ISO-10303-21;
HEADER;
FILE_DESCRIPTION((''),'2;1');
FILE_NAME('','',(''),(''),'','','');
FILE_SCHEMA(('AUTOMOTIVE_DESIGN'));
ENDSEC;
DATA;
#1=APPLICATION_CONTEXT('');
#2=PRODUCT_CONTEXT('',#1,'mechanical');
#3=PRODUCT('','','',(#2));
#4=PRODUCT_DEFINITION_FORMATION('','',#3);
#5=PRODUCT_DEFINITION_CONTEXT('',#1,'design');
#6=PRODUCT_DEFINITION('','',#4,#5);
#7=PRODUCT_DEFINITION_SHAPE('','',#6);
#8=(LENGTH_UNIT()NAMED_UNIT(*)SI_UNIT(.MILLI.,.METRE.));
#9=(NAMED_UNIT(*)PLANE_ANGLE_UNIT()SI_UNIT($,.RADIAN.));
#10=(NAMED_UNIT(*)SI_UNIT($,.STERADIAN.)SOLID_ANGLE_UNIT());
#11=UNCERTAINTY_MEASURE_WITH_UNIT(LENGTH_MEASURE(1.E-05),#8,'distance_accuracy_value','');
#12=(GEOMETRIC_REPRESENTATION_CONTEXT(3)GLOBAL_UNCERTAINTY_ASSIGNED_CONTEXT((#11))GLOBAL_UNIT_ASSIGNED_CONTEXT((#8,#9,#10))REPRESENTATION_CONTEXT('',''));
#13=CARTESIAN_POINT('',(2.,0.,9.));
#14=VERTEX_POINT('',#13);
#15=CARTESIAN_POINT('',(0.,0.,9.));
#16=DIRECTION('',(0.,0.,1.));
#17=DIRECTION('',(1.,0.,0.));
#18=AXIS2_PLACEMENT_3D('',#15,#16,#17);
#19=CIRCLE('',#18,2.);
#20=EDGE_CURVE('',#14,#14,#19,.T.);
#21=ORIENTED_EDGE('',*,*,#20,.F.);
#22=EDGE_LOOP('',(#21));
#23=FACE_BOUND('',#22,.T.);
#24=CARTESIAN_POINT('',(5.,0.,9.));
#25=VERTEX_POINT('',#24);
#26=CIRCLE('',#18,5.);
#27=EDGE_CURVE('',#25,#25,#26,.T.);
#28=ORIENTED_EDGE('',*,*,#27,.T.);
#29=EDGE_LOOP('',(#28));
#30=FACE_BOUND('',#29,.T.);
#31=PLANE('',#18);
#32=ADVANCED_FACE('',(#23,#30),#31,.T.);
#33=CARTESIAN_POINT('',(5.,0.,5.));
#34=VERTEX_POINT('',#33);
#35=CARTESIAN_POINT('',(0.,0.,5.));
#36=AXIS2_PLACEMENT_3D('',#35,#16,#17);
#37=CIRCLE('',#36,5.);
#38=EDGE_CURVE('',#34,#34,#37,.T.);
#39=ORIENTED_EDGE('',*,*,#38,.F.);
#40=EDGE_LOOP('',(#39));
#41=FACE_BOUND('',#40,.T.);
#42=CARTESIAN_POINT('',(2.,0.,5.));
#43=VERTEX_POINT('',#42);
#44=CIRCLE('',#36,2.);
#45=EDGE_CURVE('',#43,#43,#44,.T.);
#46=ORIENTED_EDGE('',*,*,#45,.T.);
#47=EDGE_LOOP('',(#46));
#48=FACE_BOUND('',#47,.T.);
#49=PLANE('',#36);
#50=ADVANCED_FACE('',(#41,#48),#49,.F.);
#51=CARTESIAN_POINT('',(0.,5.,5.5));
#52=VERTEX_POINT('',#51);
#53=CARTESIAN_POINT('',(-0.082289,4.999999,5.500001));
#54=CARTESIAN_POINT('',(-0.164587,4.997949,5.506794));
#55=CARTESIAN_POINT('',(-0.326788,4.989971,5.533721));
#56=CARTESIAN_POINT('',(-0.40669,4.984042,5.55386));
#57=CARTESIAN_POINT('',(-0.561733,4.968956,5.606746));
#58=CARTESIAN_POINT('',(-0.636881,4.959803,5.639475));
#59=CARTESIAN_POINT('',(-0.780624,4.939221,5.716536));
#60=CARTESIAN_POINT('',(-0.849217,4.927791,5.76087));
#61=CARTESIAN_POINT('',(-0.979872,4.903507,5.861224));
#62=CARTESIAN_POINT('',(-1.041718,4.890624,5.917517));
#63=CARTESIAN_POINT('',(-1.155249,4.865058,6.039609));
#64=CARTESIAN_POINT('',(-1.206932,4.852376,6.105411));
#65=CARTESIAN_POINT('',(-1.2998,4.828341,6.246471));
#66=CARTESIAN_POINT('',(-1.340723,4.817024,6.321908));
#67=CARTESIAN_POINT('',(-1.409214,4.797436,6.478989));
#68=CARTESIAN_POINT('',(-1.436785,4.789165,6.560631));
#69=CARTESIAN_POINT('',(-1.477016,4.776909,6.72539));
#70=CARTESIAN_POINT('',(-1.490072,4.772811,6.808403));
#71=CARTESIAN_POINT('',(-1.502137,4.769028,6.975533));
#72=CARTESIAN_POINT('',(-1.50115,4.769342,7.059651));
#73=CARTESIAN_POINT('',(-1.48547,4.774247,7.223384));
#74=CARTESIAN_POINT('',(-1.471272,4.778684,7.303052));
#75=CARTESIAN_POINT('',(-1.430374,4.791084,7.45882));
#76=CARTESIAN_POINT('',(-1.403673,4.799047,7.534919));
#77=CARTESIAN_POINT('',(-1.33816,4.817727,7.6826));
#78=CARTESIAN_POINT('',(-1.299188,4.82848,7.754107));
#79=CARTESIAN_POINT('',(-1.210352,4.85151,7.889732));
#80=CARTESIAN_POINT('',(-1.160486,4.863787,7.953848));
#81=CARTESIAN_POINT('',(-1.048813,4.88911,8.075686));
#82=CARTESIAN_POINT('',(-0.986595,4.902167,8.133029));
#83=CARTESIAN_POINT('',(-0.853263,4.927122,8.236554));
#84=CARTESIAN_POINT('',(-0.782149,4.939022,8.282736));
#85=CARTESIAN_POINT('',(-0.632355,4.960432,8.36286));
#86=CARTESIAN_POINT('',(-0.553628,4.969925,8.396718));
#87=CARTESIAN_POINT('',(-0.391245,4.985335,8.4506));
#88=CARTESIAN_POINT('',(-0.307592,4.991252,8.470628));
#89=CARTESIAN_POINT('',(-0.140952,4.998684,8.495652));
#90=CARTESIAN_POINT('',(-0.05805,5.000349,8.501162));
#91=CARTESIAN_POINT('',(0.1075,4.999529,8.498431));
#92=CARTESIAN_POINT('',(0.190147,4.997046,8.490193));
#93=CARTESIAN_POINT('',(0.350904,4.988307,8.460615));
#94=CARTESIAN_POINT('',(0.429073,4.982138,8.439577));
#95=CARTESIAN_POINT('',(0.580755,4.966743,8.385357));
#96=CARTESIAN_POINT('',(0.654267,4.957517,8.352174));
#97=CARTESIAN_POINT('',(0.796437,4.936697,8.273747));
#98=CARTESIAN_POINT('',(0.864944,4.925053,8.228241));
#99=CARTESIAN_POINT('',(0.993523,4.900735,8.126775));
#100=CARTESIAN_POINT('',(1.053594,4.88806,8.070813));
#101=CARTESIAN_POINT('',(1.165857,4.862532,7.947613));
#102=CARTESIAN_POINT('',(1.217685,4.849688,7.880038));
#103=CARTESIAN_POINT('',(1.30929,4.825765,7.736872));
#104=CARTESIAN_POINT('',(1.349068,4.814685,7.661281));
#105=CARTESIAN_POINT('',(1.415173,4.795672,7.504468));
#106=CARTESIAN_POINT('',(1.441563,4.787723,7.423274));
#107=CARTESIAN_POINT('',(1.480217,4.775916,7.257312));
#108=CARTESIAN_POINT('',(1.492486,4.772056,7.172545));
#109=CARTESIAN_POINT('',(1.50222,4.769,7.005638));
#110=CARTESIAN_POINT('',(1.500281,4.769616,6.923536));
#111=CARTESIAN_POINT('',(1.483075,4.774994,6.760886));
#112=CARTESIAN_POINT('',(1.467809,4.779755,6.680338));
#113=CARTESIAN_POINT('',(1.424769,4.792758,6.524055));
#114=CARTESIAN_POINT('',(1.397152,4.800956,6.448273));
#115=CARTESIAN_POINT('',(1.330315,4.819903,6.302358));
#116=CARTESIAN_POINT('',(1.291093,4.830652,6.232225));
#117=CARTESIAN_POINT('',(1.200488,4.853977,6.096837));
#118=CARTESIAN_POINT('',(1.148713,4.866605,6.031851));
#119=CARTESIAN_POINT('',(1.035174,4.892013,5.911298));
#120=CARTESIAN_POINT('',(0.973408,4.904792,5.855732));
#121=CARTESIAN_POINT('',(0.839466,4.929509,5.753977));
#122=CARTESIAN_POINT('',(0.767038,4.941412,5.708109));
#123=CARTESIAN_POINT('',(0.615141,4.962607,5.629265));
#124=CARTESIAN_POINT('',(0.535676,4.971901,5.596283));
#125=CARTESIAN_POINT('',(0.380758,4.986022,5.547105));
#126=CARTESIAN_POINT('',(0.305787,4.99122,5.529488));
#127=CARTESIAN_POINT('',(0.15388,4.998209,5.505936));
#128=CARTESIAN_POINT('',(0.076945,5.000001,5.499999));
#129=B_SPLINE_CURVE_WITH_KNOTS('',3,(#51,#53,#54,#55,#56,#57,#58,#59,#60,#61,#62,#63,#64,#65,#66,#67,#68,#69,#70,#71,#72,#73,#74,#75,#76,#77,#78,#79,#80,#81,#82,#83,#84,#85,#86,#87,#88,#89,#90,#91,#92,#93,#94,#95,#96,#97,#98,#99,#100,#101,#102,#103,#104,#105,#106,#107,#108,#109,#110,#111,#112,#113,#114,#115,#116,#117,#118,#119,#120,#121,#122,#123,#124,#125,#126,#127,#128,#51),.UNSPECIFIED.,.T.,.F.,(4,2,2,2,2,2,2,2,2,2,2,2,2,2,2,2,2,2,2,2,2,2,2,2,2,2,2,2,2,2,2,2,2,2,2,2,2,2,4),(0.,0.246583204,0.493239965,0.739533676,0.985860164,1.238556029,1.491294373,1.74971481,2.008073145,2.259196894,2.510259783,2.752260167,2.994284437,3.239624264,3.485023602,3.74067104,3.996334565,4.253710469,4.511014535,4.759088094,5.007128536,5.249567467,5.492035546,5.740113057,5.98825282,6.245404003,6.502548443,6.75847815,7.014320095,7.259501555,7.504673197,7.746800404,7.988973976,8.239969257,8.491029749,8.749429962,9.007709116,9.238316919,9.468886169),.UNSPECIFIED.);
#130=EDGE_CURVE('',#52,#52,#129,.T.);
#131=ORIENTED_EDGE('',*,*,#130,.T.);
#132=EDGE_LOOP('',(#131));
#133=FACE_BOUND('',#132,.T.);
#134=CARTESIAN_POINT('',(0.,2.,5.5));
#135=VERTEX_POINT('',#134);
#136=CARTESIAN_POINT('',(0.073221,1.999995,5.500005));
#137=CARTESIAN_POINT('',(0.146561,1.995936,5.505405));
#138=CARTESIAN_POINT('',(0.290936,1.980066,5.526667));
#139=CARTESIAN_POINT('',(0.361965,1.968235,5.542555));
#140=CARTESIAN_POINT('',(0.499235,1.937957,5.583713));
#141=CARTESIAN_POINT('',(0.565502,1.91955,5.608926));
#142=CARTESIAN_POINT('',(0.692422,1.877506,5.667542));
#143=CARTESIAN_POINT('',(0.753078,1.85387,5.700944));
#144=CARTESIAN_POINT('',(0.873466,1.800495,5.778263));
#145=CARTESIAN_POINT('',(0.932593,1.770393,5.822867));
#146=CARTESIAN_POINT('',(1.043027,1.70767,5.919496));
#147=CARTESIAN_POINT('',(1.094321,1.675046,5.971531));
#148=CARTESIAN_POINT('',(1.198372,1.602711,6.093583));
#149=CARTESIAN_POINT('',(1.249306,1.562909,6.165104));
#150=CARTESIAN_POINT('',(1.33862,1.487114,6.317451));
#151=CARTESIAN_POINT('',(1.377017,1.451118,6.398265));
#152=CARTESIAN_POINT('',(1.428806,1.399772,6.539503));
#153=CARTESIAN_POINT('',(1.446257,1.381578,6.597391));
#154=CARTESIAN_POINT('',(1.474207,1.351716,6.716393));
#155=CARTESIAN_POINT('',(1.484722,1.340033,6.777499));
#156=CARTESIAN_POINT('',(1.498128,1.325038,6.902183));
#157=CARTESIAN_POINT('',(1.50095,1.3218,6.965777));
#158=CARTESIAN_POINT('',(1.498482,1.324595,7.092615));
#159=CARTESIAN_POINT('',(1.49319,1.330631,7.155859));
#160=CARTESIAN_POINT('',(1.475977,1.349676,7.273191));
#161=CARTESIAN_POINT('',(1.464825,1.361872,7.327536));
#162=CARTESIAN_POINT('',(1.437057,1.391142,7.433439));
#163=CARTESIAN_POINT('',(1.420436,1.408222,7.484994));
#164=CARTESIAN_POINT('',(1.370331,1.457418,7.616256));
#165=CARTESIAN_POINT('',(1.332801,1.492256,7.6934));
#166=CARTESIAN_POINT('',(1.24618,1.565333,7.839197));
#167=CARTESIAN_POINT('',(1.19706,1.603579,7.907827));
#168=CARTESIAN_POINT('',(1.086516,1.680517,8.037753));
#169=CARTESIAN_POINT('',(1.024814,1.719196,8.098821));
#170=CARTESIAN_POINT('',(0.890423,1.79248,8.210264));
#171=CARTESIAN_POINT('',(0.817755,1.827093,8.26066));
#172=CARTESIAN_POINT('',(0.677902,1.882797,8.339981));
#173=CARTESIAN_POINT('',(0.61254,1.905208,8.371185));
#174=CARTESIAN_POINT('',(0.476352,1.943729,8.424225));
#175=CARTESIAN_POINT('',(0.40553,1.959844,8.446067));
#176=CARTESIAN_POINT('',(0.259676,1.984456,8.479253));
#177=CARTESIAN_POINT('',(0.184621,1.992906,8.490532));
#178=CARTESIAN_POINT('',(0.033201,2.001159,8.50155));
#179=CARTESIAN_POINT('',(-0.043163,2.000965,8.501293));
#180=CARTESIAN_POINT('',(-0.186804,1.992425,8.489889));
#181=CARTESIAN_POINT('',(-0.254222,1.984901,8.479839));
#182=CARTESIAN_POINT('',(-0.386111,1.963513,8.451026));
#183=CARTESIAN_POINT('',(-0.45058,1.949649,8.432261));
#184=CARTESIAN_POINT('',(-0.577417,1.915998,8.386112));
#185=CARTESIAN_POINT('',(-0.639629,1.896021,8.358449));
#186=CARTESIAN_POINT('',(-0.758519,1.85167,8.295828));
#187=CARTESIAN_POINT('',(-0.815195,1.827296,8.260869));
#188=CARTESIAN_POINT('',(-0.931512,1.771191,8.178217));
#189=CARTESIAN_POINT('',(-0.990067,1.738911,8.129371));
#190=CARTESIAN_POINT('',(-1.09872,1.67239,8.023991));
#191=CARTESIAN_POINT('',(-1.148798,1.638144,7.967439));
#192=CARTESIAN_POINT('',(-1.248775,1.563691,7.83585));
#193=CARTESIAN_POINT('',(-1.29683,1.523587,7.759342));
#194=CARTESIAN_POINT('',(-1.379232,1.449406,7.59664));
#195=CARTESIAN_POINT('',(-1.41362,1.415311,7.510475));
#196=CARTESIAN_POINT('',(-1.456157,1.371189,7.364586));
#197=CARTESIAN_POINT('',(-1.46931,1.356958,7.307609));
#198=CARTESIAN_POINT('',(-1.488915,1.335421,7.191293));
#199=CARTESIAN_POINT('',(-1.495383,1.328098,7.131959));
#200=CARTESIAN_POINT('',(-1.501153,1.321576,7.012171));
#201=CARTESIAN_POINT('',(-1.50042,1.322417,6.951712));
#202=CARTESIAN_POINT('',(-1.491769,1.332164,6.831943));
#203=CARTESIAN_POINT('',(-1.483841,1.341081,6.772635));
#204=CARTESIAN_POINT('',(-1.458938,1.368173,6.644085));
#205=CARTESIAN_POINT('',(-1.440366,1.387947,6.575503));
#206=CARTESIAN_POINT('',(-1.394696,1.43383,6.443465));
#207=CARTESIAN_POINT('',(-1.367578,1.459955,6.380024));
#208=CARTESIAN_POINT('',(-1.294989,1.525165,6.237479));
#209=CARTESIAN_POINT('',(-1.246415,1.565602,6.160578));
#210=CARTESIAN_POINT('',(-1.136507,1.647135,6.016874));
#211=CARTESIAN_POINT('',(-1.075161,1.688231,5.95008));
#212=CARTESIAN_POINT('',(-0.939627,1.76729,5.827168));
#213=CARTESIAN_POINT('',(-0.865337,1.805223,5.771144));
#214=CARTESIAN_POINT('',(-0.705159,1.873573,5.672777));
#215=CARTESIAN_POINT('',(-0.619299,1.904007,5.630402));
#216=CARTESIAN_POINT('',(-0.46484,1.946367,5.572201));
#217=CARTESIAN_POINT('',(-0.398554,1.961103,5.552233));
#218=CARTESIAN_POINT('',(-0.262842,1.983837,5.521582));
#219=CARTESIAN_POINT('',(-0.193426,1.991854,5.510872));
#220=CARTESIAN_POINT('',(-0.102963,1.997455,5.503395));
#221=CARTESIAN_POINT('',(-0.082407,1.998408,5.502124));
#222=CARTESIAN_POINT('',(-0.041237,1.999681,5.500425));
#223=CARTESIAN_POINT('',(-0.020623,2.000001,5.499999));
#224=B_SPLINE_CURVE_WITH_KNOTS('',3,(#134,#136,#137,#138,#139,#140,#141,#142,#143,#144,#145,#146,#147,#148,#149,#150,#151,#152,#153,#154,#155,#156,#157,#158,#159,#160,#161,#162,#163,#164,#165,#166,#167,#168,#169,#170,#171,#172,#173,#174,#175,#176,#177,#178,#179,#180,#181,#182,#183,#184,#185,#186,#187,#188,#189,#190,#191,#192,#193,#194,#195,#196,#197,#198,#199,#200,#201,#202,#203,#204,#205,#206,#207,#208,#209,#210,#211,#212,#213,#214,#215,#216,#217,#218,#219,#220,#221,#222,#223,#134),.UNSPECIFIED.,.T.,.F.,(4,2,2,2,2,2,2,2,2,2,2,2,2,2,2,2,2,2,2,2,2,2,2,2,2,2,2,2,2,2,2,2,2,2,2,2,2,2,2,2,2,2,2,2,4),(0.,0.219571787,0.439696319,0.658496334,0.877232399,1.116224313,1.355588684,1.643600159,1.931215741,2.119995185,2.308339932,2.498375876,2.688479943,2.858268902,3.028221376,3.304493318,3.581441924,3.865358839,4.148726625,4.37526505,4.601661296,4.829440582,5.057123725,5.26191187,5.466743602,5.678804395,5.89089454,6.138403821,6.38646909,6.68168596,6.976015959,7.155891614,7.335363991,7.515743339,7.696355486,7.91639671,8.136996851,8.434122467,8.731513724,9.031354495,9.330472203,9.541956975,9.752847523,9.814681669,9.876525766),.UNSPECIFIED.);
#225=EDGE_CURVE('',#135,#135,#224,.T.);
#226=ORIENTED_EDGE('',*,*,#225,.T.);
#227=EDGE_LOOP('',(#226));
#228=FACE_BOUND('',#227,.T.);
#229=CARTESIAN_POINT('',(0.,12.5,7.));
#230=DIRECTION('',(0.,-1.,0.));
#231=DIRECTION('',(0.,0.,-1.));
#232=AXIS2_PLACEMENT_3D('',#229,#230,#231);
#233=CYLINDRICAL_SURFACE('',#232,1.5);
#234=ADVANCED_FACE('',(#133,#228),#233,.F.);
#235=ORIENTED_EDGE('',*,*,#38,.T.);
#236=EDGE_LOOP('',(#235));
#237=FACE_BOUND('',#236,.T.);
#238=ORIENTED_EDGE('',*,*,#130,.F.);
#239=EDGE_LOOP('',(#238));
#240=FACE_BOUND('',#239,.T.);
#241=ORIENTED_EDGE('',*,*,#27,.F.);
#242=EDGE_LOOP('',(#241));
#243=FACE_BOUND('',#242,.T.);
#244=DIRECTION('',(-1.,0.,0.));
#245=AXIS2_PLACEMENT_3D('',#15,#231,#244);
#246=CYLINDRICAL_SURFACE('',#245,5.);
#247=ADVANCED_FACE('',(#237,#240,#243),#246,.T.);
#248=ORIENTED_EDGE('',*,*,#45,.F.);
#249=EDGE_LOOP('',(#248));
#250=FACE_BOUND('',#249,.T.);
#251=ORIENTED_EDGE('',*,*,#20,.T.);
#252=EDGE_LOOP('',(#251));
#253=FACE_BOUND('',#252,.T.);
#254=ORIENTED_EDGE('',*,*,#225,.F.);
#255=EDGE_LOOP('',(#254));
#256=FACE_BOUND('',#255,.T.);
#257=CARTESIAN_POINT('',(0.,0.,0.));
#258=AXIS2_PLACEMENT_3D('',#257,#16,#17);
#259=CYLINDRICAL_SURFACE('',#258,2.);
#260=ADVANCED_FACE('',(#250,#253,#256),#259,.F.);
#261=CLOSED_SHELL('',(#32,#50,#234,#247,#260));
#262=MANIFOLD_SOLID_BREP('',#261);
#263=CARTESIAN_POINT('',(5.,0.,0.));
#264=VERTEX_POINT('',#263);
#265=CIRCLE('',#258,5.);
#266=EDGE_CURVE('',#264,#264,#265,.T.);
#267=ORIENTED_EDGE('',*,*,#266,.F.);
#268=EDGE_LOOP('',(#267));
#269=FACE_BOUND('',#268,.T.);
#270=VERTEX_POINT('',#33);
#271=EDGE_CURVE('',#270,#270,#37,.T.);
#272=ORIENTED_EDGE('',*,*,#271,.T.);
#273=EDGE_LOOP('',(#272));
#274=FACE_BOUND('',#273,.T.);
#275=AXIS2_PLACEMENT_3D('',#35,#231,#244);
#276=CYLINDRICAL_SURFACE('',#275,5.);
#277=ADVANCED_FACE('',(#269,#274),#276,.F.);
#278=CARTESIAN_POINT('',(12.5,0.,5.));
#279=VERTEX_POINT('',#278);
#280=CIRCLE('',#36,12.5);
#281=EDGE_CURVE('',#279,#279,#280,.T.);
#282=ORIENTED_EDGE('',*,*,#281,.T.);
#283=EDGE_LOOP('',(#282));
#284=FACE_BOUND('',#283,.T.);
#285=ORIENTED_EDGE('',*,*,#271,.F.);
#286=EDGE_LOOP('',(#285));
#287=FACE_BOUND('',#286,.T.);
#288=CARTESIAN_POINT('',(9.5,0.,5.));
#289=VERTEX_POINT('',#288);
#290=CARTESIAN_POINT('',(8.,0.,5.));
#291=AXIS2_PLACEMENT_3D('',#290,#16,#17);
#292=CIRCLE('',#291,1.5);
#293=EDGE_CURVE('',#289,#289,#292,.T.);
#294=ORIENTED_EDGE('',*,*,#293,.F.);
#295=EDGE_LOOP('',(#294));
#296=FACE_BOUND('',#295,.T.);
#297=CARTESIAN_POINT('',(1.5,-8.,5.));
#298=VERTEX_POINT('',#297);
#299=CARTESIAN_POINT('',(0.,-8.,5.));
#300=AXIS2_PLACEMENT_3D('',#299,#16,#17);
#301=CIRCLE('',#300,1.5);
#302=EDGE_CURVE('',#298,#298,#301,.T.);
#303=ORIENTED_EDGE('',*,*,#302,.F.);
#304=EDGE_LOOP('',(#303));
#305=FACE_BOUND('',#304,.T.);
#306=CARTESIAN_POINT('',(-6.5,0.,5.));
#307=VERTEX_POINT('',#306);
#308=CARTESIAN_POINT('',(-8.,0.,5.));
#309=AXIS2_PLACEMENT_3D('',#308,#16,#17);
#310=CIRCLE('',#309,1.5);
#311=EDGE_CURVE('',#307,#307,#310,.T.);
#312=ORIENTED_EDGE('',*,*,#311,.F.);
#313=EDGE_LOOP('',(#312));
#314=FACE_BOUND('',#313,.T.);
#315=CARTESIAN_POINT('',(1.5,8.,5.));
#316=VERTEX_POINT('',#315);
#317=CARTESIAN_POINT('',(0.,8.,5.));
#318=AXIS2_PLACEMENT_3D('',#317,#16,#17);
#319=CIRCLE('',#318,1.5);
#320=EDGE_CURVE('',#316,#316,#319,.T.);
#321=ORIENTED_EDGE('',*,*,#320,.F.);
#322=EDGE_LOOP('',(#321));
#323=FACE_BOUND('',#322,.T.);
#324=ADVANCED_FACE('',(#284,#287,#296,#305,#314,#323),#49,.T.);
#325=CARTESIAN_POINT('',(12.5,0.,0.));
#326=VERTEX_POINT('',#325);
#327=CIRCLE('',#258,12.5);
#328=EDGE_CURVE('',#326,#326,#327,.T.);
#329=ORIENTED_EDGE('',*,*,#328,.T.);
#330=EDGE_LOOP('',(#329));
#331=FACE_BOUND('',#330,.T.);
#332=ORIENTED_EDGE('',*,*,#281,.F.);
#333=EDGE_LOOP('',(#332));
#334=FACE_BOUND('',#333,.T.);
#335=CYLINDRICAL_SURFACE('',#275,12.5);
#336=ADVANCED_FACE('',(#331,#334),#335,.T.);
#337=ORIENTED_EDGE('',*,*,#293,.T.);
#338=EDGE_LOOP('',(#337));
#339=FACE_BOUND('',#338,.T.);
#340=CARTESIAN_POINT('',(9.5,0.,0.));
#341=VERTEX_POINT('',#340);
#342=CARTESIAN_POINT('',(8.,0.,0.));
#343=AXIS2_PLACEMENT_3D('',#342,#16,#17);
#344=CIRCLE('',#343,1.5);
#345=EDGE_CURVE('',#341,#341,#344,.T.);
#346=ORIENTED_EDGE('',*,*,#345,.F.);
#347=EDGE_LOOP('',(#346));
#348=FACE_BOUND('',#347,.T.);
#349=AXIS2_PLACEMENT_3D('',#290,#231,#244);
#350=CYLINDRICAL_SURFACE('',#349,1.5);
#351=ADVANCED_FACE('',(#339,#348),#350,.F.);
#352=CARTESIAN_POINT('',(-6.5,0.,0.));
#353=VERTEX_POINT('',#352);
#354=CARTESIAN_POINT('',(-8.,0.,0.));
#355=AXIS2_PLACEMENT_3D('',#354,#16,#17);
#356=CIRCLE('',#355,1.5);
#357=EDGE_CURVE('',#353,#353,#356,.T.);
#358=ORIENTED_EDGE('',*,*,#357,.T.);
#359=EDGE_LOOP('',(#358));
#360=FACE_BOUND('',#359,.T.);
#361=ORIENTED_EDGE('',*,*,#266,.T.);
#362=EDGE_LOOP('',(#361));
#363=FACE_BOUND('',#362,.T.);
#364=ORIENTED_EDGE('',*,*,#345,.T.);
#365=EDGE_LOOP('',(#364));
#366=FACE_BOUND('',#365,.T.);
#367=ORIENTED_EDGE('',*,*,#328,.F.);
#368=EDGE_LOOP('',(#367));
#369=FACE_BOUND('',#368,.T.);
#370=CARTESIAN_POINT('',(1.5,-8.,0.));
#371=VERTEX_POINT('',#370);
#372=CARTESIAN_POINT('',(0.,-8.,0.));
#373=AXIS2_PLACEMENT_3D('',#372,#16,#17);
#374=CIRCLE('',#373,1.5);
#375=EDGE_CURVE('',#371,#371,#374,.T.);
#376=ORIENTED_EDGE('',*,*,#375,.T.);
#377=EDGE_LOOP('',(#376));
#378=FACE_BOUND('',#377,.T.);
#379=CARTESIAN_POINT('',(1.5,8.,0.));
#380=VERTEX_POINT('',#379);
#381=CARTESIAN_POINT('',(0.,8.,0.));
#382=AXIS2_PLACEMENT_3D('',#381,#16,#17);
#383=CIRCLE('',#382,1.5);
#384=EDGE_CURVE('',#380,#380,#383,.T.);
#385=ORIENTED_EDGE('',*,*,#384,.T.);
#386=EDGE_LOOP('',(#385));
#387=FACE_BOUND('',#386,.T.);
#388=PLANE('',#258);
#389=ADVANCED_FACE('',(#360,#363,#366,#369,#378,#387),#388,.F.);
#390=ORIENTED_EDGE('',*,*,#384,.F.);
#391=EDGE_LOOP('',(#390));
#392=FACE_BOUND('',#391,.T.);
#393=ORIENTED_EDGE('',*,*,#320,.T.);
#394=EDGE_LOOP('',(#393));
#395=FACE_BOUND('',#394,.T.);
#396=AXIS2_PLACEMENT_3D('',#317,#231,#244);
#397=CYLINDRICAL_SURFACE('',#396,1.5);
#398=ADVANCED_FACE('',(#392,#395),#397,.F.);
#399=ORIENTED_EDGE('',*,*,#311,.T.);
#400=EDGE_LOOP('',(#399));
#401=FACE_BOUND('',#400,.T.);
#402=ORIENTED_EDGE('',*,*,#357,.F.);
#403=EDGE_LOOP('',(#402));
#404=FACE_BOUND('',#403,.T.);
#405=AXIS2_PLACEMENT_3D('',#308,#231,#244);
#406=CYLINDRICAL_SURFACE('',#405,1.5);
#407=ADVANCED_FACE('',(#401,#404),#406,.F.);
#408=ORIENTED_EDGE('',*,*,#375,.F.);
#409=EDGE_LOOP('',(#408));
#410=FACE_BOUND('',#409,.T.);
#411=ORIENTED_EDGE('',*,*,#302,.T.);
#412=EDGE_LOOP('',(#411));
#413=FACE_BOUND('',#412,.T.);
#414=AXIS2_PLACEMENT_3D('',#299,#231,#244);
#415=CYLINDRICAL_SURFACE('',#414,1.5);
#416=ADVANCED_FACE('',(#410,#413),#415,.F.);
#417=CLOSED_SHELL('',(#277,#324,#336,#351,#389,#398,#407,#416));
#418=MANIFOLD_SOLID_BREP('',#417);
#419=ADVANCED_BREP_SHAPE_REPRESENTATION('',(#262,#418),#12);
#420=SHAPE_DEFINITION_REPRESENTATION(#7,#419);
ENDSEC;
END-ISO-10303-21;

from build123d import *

# Parameters (mm, degrees)
ESQUISSE1_R             = 12.5
ESQUISSE1_R_2           = 5
ESQUISSE1_R_3           = 1.5
BOSS_EXTRU_1_DEPTH      = 5
ESQUISSE2_R             = 5
BOSS_EXTRU_2_DEPTH      = 4
ESQUISSE4_R             = 2
ENL_V_MAT_EXTRU_1_DEPTH = 20.836834425
ESQUISSE3_R             = 1.5
ENL_V_MAT_EXTRU_2_DEPTH = 20.836834425


with BuildPart() as part:
    # Esquisse1 → Boss.-Extru.1 (new body)
    with BuildSketch(Plane.XY):
        Circle(ESQUISSE1_R)
        Circle(ESQUISSE1_R_2, mode=Mode.SUBTRACT)
        with Locations((0, 8)):
            Circle(ESQUISSE1_R_3, mode=Mode.SUBTRACT)
        with Locations((8, 0)):
            Circle(ESQUISSE1_R_3, mode=Mode.SUBTRACT)
        with Locations((0, -8)):
            Circle(ESQUISSE1_R_3, mode=Mode.SUBTRACT)
        with Locations((-8, 0)):
            Circle(ESQUISSE1_R_3, mode=Mode.SUBTRACT)
    extrude(amount=BOSS_EXTRU_1_DEPTH)


with BuildPart() as body_2:
    # Esquisse2 → Boss.-Extru.2 (new body)
    with BuildSketch(Plane.XY.offset(5)):
        Circle(ESQUISSE2_R)
    extrude(amount=BOSS_EXTRU_2_DEPTH)

    # Esquisse4 → Enlèv. mat.-Extru.1 (cut, through all)
    with BuildSketch(Plane.XY.offset(9)):
        Circle(ESQUISSE4_R)
    extrude(amount=-ENL_V_MAT_EXTRU_1_DEPTH, mode=Mode.SUBTRACT)

    # Esquisse3 → Enlèv. mat.-Extru.2 (cut, through all)
    with BuildSketch(Plane(origin=(0, 0, 0), x_dir=(1, 0, 0), z_dir=(0, 1, 0))):
        with Locations(Location((0, -7, 0), (0, 0, 90))):
            Circle(ESQUISSE3_R)
    extrude(amount=ENL_V_MAT_EXTRU_2_DEPTH, mode=Mode.SUBTRACT)


solid = Compound([part.part, body_2.part])
